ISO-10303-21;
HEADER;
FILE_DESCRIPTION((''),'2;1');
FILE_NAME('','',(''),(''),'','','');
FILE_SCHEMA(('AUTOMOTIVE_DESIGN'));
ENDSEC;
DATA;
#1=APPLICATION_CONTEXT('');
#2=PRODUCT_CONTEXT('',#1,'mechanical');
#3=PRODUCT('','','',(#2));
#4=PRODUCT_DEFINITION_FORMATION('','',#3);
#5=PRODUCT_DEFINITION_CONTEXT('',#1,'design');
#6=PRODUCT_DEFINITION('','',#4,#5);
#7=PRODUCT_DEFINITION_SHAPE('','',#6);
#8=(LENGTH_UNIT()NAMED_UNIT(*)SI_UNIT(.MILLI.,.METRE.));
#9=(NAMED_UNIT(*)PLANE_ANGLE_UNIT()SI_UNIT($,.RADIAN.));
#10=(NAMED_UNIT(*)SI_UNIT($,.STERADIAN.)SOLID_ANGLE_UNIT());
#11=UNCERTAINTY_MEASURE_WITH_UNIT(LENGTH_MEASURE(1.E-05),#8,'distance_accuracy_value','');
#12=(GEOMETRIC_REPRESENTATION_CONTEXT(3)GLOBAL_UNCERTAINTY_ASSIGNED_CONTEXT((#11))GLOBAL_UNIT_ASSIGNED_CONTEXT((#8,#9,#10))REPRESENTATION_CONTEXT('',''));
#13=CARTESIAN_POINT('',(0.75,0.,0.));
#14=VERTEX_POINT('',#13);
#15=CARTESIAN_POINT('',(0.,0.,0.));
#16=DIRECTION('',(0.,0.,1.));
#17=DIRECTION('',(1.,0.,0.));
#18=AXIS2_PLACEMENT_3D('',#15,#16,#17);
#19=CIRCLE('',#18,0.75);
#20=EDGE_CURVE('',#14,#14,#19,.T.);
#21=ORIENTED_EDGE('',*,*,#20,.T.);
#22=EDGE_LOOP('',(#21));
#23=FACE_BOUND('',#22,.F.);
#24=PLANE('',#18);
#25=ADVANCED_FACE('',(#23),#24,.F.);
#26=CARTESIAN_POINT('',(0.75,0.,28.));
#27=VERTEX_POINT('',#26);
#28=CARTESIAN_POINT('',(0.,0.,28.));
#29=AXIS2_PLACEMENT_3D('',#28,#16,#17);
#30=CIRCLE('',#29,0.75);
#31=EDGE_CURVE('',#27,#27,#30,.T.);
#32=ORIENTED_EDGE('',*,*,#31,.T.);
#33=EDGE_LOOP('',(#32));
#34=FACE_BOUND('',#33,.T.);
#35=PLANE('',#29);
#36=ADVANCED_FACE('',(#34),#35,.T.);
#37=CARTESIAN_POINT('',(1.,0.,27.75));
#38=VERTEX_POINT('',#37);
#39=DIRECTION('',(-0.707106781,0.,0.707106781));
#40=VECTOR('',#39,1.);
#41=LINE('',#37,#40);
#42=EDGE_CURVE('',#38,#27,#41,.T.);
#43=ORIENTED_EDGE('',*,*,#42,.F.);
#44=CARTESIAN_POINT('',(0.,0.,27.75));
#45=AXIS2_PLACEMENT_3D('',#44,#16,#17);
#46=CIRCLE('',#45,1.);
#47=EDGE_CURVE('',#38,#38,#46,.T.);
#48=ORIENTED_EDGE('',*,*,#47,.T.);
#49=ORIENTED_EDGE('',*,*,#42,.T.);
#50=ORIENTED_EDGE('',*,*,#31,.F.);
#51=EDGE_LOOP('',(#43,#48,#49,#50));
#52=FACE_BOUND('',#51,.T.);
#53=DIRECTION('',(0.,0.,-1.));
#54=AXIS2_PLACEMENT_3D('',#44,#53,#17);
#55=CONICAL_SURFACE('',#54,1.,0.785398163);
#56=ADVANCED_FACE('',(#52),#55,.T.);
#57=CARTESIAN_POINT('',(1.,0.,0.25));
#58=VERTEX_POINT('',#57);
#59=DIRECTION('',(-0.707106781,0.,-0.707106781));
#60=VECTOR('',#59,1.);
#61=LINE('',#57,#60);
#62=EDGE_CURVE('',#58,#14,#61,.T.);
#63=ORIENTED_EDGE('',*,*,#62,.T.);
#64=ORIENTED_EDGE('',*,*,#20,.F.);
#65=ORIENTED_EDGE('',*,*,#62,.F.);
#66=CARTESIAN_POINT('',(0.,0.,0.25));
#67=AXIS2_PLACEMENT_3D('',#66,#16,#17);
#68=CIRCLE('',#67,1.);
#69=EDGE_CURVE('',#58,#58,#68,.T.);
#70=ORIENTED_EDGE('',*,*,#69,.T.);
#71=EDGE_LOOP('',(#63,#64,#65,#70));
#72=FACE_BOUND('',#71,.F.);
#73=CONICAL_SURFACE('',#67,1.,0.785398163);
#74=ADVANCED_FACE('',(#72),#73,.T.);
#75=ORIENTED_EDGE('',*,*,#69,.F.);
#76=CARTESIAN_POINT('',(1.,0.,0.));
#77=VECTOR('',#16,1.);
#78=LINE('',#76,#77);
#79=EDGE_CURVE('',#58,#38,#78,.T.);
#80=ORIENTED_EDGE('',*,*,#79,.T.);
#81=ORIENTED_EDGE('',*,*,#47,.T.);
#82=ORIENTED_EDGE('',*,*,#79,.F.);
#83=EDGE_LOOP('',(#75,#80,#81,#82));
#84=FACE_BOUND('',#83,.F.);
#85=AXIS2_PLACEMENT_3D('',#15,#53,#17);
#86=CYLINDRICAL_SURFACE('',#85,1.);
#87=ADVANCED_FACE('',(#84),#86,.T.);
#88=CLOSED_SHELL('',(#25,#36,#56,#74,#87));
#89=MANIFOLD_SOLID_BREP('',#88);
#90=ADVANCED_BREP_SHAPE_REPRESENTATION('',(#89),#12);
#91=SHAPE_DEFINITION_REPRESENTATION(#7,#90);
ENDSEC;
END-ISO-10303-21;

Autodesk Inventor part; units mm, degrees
ref_plane "YZ Plane" through (0, 0, 0) normal (1, 0, 0) x (0, 1, 0)
ref_plane "XZ Plane" through (0, 0, 0) normal (0, 1, 0) x (-1, 0, 0)
ref_plane "XY Plane" through (0, 0, 0) normal (0, 0, 1) x (1, 0, 0)
sketch "Sketch1" plane through (0, 0, 0) normal (0, 0, 1) x (1, 0, 0)
  circle A0 centre (0, 0) radius 1
  dimension "d0" = 2
extrude "Extrusion1" add sketch "Sketch1" along normal blind 28
chamfer "Chamfer1" distance 0.25 angle 45 2 edges at (-1, 0, 28) (-1, 0, 0)
properties part number "14A"
